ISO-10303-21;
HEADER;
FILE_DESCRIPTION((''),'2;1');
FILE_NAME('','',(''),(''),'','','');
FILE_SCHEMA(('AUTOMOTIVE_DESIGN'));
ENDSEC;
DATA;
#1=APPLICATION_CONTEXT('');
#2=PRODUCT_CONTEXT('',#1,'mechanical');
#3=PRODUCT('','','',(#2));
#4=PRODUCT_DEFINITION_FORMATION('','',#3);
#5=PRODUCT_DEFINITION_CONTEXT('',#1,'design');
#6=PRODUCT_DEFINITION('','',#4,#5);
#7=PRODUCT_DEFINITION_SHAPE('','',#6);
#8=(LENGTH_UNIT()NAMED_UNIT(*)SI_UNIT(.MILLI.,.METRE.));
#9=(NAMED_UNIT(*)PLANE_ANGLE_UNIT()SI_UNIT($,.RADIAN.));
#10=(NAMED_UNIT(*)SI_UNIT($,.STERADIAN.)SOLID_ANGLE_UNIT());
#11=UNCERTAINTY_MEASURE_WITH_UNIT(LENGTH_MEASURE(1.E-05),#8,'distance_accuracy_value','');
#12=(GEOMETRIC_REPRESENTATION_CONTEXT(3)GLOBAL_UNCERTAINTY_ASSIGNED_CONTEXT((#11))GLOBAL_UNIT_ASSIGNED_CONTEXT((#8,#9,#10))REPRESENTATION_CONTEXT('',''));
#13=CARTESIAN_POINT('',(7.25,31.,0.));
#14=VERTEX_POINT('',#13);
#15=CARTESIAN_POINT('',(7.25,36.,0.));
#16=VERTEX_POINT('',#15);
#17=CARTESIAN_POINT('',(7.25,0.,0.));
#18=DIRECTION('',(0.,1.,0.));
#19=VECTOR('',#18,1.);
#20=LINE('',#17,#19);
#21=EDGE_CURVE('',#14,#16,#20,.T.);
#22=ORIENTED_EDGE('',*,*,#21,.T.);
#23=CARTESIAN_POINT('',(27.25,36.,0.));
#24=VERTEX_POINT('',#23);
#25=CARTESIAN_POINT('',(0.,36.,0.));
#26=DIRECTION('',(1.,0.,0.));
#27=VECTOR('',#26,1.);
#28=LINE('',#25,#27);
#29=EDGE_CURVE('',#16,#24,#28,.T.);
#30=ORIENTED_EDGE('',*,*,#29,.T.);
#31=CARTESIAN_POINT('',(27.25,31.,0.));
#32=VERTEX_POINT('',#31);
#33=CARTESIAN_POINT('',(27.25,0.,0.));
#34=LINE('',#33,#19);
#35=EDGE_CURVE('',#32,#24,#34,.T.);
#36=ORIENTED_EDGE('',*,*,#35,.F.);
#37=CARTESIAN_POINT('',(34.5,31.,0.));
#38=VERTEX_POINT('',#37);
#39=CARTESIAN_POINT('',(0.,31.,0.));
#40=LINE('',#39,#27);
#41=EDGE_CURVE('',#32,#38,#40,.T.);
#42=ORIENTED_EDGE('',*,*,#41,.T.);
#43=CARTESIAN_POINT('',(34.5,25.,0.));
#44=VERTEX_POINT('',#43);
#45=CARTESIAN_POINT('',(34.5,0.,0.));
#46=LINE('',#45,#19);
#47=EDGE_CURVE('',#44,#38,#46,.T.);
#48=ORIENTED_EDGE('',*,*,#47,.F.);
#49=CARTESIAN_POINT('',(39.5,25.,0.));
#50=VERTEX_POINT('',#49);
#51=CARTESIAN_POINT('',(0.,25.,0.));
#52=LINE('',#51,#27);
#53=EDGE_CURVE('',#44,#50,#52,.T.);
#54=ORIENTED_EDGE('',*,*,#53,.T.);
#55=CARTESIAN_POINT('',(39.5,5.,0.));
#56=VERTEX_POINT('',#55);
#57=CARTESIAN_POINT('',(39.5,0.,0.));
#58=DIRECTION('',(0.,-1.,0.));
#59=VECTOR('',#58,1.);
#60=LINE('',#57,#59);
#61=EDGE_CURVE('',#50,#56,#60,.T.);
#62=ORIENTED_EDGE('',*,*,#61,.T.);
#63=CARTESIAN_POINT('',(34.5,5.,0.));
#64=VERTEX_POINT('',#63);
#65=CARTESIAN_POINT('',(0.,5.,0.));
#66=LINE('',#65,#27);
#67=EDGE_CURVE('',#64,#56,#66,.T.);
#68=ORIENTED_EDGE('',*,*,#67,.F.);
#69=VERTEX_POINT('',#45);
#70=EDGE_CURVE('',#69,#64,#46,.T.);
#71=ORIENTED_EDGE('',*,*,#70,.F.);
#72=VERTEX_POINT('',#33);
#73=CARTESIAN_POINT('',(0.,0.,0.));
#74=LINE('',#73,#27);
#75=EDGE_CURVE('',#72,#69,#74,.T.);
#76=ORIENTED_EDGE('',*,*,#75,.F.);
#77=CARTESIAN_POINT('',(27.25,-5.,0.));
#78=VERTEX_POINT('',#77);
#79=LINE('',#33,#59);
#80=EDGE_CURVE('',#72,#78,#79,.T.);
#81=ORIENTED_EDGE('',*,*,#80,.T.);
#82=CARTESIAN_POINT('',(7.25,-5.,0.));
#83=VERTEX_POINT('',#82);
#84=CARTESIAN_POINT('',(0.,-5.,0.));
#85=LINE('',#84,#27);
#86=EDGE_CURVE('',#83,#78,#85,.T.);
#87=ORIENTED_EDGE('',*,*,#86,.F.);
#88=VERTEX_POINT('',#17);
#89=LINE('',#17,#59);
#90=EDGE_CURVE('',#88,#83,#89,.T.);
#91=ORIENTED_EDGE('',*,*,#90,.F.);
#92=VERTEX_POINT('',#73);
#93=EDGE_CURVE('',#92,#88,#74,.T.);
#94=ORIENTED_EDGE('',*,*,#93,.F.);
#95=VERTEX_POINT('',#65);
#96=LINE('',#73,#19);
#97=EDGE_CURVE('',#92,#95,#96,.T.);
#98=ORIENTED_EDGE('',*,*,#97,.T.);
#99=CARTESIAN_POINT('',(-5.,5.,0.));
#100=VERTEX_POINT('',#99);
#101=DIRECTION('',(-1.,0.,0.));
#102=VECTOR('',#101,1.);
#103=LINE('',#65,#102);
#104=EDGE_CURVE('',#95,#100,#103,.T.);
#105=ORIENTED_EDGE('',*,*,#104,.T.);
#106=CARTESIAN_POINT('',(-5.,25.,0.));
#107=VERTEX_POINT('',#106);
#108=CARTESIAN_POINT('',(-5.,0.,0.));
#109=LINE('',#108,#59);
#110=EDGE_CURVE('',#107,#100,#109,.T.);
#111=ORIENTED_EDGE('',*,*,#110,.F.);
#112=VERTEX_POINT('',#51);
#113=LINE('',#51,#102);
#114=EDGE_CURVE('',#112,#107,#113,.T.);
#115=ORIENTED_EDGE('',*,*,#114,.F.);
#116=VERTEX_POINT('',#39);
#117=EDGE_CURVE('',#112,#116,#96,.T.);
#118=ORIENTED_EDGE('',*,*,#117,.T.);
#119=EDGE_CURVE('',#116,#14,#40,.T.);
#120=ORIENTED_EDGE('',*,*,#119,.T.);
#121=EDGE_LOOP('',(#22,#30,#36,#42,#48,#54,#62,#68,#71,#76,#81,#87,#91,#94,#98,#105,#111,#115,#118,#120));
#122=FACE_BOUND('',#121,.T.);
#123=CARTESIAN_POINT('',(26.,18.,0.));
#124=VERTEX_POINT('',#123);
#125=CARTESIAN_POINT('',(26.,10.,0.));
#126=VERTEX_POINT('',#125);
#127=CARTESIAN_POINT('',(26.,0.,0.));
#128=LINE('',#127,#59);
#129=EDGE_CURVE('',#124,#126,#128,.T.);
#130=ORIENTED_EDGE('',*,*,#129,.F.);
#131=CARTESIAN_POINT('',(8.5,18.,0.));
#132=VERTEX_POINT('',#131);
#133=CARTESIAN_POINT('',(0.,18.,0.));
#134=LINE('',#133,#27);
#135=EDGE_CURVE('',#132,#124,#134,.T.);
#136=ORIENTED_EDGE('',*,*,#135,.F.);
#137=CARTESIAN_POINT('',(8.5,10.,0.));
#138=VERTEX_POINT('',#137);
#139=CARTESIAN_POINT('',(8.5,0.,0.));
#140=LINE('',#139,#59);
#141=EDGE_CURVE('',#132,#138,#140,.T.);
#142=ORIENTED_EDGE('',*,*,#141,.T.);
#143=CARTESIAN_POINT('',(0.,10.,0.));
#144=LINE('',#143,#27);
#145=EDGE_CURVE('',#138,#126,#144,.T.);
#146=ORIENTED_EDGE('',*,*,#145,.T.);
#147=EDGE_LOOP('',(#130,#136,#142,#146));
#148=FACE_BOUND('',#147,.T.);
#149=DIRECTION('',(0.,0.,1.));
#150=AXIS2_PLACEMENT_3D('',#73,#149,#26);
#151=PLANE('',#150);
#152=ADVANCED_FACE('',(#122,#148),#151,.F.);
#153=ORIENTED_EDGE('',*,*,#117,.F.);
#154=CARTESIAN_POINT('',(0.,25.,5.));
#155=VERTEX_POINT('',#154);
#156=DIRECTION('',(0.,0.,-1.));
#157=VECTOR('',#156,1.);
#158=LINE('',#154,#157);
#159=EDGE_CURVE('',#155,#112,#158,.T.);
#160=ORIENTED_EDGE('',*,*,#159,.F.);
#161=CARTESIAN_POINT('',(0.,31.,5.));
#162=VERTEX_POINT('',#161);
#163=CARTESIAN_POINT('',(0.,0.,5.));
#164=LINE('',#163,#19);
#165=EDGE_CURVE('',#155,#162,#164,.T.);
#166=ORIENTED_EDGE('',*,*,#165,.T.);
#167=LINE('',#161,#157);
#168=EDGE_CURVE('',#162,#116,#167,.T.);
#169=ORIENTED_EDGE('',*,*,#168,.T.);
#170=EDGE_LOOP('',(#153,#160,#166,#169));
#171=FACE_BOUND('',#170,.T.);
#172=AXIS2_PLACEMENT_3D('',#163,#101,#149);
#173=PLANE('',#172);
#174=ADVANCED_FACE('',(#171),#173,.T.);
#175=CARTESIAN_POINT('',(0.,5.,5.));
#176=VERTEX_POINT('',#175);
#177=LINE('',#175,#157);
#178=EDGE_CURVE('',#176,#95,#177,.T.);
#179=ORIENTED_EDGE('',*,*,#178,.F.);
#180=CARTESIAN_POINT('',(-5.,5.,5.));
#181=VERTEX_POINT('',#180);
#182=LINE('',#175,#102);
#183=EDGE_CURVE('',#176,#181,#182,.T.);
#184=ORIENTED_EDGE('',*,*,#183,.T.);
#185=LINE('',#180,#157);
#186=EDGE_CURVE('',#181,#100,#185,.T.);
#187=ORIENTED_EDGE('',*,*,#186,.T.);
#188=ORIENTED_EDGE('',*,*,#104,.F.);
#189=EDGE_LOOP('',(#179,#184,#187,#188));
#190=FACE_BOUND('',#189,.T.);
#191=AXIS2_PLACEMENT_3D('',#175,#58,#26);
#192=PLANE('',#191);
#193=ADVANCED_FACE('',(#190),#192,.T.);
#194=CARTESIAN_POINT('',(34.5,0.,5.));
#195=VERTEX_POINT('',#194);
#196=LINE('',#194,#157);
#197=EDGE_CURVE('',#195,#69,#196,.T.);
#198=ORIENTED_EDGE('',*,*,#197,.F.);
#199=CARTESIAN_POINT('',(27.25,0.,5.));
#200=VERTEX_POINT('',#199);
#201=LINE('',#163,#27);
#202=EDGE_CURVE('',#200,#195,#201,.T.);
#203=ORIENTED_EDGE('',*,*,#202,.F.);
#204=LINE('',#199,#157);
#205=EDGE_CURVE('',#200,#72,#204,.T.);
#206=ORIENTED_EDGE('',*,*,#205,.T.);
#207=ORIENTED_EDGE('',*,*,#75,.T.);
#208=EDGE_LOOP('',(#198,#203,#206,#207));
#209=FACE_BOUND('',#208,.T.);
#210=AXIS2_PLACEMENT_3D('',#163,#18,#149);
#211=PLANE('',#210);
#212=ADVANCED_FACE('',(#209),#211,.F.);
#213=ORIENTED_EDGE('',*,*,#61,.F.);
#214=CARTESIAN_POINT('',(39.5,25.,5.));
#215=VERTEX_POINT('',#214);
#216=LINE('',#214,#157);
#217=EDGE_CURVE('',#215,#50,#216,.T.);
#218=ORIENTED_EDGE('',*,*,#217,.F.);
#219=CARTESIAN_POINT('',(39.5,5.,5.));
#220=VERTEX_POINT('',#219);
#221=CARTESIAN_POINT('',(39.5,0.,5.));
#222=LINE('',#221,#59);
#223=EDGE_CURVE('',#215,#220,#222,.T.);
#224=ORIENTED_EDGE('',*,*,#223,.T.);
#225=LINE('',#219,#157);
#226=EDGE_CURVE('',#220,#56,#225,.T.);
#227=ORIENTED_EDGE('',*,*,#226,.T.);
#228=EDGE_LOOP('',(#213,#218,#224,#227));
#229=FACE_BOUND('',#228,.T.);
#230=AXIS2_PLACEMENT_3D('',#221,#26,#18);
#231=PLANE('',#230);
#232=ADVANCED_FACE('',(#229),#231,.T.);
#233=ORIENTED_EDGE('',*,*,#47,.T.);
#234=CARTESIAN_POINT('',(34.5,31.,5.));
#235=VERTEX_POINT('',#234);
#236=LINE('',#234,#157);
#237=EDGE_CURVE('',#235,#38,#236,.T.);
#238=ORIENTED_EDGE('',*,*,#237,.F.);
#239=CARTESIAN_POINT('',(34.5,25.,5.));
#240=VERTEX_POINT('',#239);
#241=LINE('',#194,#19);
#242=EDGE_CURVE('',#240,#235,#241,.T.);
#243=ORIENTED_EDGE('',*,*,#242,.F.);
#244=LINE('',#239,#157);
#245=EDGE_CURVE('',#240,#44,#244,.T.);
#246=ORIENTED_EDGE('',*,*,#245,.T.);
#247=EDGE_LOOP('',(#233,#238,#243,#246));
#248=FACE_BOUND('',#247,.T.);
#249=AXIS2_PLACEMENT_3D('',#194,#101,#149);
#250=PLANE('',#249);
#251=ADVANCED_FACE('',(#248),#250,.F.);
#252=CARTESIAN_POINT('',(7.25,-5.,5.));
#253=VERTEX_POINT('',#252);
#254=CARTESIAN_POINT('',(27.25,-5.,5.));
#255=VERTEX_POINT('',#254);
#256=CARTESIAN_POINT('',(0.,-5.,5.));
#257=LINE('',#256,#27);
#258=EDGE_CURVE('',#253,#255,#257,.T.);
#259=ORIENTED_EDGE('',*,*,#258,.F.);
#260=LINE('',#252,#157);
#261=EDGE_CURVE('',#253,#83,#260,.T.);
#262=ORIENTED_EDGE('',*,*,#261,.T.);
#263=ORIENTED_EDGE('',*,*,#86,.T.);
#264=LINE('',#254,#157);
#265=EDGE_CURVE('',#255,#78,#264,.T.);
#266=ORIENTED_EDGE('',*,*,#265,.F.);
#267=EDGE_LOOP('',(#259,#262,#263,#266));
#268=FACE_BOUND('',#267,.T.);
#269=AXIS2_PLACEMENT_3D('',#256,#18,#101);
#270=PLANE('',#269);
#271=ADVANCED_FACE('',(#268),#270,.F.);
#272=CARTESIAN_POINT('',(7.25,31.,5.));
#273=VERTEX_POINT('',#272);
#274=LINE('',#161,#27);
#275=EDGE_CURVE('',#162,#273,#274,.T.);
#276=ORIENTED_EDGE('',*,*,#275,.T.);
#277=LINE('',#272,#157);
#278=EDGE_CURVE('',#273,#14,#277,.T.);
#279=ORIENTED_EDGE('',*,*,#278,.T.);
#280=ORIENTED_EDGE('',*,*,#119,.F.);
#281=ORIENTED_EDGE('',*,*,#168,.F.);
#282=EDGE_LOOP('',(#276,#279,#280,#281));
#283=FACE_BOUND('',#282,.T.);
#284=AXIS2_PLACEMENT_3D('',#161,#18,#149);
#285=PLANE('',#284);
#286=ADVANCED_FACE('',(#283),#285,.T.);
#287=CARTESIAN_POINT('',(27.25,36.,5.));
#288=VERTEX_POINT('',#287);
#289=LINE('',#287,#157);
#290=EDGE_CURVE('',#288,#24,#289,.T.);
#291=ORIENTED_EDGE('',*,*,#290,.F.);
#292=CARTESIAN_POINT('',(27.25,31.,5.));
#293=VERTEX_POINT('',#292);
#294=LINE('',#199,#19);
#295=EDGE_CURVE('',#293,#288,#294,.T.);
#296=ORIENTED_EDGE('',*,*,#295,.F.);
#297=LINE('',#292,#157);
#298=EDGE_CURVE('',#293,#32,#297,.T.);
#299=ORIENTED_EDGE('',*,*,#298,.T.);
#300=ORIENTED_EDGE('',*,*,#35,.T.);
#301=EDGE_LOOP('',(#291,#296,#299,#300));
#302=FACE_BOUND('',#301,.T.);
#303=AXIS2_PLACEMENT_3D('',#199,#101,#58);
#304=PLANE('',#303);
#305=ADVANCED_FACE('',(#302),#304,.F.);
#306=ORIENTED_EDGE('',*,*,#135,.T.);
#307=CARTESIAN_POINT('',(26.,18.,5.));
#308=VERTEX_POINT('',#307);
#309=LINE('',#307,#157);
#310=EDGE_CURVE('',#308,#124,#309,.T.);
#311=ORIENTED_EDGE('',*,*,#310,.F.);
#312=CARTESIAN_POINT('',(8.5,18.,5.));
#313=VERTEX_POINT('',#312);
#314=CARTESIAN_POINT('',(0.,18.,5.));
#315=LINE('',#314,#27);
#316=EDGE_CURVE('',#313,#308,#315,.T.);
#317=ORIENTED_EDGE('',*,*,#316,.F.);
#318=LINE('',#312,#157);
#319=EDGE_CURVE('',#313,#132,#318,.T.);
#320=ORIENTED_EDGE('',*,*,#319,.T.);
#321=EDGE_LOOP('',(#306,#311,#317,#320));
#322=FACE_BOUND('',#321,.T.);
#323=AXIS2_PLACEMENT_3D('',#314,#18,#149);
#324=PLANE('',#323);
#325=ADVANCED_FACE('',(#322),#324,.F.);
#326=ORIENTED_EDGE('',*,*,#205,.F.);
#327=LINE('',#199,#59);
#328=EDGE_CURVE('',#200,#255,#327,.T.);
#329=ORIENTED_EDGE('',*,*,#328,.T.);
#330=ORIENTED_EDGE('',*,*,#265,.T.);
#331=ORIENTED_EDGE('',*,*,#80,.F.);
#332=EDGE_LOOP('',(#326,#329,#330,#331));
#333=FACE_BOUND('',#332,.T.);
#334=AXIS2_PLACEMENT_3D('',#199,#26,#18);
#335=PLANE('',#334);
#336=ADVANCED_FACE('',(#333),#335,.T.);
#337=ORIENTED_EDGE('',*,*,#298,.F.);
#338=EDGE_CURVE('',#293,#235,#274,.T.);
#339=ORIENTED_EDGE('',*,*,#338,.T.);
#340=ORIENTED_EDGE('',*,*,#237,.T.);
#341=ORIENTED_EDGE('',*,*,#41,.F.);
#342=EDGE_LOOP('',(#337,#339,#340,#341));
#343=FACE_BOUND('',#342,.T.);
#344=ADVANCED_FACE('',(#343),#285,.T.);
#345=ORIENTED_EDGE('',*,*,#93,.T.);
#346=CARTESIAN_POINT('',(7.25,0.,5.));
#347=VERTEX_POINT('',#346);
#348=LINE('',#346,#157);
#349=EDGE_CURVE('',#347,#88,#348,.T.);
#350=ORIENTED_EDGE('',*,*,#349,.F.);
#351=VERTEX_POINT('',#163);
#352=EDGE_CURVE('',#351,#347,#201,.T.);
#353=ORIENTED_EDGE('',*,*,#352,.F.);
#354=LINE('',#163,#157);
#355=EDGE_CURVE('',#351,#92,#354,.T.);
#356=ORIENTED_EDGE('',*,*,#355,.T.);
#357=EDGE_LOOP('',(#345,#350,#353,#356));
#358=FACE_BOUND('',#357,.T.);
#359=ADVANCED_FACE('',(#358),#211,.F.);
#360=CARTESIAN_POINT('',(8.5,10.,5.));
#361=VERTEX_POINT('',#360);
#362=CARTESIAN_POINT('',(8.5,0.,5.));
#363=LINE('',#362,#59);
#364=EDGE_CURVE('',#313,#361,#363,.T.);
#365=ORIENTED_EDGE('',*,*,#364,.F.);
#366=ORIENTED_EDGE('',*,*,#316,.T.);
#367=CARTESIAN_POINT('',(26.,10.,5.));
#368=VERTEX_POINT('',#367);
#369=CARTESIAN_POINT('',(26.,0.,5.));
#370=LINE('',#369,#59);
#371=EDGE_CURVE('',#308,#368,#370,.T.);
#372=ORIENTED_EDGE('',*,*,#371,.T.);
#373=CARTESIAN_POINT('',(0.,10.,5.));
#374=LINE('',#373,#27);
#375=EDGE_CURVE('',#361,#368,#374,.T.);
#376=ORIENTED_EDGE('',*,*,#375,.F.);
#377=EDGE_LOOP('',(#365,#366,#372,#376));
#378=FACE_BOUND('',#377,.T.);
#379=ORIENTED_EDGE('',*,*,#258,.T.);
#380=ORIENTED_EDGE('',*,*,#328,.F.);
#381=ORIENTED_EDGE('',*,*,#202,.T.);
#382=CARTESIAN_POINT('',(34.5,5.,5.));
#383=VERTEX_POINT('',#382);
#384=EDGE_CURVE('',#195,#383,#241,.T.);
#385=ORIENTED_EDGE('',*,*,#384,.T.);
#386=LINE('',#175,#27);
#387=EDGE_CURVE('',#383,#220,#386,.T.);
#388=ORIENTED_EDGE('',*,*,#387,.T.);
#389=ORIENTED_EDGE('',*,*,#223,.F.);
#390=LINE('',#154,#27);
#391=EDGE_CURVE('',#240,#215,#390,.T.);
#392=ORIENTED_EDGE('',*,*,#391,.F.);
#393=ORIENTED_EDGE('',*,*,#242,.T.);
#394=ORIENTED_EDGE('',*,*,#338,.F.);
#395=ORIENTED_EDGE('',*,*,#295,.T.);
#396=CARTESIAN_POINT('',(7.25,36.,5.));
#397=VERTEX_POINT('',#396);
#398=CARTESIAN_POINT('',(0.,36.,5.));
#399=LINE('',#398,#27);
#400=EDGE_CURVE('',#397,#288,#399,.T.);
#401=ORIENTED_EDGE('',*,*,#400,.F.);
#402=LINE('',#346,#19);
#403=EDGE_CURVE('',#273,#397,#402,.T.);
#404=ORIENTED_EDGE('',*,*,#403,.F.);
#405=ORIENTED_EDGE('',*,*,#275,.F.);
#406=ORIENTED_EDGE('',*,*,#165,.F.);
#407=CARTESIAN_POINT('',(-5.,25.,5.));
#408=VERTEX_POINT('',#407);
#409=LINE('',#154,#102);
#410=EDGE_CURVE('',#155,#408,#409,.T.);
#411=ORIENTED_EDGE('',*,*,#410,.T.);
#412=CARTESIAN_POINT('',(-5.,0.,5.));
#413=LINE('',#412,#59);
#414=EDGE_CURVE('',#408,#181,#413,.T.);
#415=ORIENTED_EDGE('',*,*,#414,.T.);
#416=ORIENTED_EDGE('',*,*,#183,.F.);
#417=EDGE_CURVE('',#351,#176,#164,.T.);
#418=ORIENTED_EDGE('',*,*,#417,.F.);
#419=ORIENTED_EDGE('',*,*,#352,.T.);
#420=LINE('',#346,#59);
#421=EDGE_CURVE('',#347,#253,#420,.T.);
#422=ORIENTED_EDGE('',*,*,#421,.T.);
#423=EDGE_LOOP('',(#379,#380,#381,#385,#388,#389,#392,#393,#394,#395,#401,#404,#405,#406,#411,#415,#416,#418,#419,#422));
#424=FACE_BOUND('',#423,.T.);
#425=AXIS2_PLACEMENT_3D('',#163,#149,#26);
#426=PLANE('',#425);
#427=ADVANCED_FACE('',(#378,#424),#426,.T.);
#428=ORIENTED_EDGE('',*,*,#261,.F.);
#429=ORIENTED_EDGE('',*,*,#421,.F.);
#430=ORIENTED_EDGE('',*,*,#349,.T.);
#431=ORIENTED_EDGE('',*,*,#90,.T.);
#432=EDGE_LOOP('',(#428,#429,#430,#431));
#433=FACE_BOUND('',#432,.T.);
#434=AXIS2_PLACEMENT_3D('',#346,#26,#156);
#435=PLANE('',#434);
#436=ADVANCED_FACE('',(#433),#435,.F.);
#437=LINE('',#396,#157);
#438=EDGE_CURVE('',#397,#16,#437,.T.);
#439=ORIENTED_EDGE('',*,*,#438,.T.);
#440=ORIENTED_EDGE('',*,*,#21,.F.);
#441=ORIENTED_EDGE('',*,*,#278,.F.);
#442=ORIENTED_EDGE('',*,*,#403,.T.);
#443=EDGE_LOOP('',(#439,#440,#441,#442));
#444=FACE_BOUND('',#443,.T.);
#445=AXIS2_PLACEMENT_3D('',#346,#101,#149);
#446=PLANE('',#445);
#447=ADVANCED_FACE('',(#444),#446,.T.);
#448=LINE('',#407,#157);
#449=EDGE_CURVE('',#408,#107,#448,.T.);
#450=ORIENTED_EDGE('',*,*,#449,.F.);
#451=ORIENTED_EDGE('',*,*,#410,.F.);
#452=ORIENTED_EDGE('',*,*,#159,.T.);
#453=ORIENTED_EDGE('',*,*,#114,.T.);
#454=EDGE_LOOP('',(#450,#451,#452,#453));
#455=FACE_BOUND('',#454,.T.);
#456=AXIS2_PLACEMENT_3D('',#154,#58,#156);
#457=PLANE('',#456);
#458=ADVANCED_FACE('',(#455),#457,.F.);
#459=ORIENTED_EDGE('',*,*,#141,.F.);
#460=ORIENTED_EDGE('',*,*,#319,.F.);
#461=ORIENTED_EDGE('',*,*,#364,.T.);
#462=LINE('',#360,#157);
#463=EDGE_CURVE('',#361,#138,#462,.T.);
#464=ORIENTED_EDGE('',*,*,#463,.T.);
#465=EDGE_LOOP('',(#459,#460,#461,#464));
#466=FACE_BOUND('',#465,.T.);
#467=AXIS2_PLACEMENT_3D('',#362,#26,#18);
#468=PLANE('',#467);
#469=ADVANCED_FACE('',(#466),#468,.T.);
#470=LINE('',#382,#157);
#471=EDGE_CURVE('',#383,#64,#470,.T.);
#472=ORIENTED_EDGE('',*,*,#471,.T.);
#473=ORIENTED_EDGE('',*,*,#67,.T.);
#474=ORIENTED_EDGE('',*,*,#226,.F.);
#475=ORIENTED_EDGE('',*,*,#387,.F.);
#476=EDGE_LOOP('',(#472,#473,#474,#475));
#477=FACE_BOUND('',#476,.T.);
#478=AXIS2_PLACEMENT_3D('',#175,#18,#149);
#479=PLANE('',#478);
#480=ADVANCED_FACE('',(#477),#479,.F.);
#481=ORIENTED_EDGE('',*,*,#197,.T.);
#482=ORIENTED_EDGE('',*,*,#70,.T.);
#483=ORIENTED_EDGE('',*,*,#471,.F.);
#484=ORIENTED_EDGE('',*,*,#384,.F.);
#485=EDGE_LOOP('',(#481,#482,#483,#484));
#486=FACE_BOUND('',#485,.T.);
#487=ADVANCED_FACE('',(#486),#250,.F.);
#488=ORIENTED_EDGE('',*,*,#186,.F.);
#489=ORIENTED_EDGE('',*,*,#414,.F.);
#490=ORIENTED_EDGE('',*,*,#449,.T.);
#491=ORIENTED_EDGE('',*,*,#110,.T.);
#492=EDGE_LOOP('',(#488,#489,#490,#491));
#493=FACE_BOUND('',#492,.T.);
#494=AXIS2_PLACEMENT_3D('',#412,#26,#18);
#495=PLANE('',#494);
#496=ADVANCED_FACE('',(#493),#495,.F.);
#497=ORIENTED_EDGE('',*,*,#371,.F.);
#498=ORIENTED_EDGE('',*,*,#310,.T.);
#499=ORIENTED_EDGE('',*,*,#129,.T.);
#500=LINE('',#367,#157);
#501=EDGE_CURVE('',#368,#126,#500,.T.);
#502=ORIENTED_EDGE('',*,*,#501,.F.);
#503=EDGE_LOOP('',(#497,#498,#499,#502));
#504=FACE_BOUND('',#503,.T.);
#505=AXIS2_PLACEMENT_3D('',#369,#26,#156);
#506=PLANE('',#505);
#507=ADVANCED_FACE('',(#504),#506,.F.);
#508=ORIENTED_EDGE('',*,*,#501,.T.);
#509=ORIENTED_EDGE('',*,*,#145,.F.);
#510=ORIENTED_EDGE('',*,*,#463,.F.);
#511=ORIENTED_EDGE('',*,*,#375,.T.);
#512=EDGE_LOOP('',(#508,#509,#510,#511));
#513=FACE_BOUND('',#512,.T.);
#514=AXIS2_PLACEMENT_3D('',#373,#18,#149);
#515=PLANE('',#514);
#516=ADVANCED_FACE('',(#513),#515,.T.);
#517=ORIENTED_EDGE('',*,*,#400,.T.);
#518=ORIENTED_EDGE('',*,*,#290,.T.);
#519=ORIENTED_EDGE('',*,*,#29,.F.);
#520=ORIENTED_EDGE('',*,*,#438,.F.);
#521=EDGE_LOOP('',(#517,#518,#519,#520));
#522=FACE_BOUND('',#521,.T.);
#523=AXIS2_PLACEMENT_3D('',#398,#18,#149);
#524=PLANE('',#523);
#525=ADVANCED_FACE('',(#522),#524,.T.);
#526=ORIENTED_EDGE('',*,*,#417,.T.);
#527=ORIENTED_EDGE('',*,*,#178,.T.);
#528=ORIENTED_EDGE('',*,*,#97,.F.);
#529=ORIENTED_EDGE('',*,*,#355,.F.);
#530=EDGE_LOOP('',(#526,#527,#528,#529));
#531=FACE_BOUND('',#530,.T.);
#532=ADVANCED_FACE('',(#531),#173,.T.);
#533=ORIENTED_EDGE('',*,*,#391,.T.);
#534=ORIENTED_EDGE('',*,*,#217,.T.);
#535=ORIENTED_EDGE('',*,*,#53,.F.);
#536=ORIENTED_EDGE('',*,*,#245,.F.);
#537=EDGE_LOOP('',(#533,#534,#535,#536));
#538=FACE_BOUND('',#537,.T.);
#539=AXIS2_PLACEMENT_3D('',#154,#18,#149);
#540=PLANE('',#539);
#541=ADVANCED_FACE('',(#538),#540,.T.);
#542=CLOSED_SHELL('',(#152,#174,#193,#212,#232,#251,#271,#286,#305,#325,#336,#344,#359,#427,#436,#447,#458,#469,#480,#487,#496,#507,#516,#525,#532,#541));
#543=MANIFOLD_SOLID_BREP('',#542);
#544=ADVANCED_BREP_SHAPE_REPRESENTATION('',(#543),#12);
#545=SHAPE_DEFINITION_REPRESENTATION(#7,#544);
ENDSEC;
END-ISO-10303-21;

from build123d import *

# Parameters (mm, degrees)
SKETCH1_W           = 17.5
SKETCH1_H           = 8
BOSS_EXTRUDE1_DEPTH = 5


with BuildPart() as part:
    # Sketch1 → Boss-Extrude1 (new body)
    with BuildSketch(Plane.XY):
        Polygon((0, 0), (7.25, 0), (7.25, -5), (27.25, -5), (27.25, 0), (34.5, 0), (34.5, 5), (39.5, 5), (39.5, 25), (34.5, 25), (34.5, 31), (27.25, 31), (27.25, 36), (7.25, 36), (7.25, 31), (0, 31), (0, 25), (-5, 25), (-5, 5), (0, 5), align=None)
        with Locations((17.25, 14)):
            Rectangle(SKETCH1_W, SKETCH1_H, mode=Mode.SUBTRACT)
    extrude(amount=BOSS_EXTRUDE1_DEPTH)


solid = part.part
